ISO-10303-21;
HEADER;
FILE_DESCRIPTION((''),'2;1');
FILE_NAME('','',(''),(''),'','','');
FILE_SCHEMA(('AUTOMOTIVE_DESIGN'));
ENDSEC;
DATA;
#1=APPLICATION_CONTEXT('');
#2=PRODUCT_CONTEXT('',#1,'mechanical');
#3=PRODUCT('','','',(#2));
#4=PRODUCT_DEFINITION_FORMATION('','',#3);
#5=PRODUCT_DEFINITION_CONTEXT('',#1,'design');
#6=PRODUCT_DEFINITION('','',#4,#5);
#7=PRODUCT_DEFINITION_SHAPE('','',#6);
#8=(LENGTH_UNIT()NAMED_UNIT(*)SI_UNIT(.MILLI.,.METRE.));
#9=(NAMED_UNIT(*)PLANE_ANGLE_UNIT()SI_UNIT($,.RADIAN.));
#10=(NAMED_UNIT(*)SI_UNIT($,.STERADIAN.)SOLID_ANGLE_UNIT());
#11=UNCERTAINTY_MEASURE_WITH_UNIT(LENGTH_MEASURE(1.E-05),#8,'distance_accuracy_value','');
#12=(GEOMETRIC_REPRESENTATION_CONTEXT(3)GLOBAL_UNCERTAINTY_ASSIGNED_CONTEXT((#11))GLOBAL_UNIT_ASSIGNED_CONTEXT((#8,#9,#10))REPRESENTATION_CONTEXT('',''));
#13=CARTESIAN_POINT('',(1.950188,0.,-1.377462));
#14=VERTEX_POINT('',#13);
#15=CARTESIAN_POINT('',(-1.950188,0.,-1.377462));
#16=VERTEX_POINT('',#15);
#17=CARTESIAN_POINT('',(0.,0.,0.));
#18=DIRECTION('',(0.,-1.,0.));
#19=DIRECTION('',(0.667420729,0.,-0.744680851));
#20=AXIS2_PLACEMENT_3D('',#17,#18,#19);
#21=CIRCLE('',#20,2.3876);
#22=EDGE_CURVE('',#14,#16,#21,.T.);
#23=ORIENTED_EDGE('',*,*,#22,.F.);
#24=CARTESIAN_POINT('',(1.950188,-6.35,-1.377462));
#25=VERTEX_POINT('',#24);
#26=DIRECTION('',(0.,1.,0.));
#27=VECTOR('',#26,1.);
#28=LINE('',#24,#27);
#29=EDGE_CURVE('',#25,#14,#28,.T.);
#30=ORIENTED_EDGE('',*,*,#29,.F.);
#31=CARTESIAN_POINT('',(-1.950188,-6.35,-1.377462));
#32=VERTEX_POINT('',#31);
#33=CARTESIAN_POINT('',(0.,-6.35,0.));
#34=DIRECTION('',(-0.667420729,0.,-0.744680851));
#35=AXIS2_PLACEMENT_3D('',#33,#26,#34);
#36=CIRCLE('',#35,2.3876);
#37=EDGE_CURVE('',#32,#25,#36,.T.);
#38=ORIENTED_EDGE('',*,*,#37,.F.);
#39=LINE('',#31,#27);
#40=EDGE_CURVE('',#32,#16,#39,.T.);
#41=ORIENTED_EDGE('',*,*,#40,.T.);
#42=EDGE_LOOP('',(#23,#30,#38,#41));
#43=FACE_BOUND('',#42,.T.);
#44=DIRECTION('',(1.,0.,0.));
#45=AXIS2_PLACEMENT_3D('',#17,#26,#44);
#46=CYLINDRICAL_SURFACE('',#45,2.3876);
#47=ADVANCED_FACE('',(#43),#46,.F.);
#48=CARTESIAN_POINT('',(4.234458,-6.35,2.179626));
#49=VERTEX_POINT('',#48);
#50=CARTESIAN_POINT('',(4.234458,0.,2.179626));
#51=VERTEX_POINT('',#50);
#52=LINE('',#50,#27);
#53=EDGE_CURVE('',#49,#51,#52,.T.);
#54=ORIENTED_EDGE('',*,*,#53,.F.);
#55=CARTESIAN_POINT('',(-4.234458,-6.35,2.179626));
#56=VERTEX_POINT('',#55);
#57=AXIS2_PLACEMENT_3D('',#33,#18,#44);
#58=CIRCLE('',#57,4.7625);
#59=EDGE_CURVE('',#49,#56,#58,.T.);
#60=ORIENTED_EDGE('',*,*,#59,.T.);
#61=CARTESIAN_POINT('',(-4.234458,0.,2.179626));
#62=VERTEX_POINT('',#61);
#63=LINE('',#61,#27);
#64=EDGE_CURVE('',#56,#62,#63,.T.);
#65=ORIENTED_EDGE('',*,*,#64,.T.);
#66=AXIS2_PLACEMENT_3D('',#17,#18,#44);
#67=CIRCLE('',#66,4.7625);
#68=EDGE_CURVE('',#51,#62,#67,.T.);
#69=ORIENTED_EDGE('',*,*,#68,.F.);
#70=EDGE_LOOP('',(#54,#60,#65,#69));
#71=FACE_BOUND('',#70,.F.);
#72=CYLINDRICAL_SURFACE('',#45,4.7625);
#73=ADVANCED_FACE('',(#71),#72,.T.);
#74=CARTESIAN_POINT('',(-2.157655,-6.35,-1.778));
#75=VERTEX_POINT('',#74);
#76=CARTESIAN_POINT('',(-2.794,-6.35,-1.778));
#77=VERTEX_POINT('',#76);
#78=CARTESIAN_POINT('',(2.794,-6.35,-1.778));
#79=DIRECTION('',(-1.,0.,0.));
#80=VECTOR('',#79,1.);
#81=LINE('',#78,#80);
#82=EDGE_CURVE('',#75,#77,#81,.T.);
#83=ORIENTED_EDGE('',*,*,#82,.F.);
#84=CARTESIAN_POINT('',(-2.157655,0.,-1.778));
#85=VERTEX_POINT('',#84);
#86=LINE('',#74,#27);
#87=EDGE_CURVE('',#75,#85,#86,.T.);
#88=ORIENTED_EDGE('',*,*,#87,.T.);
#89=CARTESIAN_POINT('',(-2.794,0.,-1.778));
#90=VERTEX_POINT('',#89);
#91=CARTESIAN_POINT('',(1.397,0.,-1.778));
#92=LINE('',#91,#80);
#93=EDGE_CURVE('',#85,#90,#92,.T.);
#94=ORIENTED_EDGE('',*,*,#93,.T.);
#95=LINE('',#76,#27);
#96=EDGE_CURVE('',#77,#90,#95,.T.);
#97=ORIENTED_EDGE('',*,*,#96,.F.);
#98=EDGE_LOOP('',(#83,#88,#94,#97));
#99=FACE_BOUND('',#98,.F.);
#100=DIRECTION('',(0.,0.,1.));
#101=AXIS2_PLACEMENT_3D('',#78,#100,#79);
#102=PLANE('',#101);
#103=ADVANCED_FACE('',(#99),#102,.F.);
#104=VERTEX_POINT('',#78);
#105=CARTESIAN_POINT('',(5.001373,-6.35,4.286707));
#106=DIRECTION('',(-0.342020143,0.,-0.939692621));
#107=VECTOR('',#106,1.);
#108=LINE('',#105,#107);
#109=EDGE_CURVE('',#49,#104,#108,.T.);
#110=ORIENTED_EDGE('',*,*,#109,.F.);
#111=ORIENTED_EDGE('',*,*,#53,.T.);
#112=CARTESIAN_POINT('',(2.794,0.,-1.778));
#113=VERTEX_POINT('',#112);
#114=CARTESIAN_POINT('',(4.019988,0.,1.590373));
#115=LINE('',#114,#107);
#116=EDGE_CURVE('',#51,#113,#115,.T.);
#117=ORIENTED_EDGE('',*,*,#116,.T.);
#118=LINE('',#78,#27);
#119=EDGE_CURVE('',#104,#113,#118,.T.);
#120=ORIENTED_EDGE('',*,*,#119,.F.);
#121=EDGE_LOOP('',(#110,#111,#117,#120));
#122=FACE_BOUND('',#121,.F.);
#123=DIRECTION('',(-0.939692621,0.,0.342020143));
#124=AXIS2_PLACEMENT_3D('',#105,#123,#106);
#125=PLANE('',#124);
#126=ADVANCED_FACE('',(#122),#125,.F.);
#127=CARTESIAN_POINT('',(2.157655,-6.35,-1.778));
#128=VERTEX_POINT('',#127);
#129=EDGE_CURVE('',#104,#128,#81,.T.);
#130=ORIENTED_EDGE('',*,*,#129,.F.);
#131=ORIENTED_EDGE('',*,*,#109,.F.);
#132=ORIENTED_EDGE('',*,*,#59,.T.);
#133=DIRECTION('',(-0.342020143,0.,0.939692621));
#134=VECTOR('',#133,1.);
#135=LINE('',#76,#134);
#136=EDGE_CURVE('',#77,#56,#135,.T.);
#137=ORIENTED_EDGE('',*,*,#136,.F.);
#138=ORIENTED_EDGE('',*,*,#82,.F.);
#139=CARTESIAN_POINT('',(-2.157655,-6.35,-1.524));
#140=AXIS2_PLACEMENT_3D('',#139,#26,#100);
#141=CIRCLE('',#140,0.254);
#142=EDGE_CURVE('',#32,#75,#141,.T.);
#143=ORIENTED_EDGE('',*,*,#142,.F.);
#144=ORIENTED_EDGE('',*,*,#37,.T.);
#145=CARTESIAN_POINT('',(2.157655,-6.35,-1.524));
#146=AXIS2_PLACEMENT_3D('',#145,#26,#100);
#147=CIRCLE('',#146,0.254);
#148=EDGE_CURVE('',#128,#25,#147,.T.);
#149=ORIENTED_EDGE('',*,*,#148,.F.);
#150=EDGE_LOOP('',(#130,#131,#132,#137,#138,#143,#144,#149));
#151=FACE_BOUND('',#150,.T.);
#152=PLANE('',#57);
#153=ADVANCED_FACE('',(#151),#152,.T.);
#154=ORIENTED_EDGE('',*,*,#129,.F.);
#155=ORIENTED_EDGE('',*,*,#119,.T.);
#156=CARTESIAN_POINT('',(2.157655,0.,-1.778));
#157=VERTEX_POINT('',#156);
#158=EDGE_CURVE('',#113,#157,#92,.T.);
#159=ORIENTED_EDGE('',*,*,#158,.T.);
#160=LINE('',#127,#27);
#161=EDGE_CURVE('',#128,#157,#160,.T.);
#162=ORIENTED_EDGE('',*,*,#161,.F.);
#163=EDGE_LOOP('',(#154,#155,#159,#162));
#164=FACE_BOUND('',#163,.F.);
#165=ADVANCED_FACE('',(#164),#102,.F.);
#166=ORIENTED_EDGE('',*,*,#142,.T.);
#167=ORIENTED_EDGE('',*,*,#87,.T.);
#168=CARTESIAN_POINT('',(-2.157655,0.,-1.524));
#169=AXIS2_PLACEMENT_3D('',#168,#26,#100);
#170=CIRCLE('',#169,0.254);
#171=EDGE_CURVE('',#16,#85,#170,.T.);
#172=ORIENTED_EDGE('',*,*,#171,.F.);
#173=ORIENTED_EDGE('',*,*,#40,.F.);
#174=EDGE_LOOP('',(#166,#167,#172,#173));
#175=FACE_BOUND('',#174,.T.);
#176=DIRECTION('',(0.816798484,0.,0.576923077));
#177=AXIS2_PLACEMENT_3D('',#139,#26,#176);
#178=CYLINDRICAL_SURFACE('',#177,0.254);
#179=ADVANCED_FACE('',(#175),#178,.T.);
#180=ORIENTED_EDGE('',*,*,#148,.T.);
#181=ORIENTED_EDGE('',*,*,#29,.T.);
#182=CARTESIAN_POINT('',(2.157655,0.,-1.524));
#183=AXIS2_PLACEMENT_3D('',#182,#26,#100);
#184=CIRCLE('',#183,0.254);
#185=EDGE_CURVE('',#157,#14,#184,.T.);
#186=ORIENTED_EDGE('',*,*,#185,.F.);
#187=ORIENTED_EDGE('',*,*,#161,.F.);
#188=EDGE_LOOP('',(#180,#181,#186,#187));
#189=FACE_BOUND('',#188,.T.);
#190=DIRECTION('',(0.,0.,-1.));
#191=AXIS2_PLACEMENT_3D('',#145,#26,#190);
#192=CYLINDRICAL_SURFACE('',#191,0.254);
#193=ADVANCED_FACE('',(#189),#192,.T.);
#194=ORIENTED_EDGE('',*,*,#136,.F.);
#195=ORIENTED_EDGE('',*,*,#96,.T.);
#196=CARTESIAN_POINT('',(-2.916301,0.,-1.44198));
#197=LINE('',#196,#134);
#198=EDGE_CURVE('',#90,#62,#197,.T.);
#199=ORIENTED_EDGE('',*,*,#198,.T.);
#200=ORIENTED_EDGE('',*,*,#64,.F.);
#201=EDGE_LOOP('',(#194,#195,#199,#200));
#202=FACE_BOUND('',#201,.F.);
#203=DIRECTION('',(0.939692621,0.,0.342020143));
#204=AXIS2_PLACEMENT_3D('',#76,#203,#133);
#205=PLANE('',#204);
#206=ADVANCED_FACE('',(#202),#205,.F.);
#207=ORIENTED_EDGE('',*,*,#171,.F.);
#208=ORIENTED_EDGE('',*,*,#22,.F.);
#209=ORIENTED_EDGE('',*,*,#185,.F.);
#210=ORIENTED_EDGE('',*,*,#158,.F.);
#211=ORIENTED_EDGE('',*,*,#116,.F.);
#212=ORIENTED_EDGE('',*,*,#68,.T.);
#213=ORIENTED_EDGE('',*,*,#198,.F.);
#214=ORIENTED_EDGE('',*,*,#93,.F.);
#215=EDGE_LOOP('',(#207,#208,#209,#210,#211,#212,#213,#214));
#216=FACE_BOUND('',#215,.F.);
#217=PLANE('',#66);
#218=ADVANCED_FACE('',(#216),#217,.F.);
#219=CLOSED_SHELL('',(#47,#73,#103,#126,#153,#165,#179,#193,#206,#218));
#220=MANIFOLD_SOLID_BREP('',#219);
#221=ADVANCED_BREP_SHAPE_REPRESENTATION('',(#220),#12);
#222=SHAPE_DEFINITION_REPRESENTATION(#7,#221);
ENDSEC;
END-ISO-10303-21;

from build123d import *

# Parameters (mm, degrees)
F0_R     = 4.7625
F0_R_2   = 2.3876
F1_DEPTH = 6.35
F3_DEPTH = 6.351
F4_R     = 0.254


with BuildPart() as f1:
    # F0 (on Front) → F1 (new body)
    with BuildSketch(Plane.XZ):
        Circle(F0_R)
        Circle(F0_R_2, mode=Mode.SUBTRACT)
    extrude(amount=F1_DEPTH)

    # F2 (on face) → F3 (cut, through all)
    with BuildSketch(Plane.XZ.offset(6.35)):
        Polygon((-2.794, -1.778), (-4.8590770571, 3.8957525837), (-7.3392285321, 3.8957525837), (-7.3392285321, -6.9893564564), (6.3704967257, -6.9893564564), (6.3704967257, 4.2867070974), (5.001372863, 4.2867070974), (2.794, -1.778), align=None)
    extrude(amount=-F3_DEPTH, mode=Mode.SUBTRACT)

    # F4
    f4_edges = [f1.edges().sort_by_distance(p)[0] for p in [
        (-1.593534, -3.175, -1.778),
        (1.593534, -3.175, -1.778),
    ]]
    fillet(f4_edges, radius=F4_R)


solid = f1.part
